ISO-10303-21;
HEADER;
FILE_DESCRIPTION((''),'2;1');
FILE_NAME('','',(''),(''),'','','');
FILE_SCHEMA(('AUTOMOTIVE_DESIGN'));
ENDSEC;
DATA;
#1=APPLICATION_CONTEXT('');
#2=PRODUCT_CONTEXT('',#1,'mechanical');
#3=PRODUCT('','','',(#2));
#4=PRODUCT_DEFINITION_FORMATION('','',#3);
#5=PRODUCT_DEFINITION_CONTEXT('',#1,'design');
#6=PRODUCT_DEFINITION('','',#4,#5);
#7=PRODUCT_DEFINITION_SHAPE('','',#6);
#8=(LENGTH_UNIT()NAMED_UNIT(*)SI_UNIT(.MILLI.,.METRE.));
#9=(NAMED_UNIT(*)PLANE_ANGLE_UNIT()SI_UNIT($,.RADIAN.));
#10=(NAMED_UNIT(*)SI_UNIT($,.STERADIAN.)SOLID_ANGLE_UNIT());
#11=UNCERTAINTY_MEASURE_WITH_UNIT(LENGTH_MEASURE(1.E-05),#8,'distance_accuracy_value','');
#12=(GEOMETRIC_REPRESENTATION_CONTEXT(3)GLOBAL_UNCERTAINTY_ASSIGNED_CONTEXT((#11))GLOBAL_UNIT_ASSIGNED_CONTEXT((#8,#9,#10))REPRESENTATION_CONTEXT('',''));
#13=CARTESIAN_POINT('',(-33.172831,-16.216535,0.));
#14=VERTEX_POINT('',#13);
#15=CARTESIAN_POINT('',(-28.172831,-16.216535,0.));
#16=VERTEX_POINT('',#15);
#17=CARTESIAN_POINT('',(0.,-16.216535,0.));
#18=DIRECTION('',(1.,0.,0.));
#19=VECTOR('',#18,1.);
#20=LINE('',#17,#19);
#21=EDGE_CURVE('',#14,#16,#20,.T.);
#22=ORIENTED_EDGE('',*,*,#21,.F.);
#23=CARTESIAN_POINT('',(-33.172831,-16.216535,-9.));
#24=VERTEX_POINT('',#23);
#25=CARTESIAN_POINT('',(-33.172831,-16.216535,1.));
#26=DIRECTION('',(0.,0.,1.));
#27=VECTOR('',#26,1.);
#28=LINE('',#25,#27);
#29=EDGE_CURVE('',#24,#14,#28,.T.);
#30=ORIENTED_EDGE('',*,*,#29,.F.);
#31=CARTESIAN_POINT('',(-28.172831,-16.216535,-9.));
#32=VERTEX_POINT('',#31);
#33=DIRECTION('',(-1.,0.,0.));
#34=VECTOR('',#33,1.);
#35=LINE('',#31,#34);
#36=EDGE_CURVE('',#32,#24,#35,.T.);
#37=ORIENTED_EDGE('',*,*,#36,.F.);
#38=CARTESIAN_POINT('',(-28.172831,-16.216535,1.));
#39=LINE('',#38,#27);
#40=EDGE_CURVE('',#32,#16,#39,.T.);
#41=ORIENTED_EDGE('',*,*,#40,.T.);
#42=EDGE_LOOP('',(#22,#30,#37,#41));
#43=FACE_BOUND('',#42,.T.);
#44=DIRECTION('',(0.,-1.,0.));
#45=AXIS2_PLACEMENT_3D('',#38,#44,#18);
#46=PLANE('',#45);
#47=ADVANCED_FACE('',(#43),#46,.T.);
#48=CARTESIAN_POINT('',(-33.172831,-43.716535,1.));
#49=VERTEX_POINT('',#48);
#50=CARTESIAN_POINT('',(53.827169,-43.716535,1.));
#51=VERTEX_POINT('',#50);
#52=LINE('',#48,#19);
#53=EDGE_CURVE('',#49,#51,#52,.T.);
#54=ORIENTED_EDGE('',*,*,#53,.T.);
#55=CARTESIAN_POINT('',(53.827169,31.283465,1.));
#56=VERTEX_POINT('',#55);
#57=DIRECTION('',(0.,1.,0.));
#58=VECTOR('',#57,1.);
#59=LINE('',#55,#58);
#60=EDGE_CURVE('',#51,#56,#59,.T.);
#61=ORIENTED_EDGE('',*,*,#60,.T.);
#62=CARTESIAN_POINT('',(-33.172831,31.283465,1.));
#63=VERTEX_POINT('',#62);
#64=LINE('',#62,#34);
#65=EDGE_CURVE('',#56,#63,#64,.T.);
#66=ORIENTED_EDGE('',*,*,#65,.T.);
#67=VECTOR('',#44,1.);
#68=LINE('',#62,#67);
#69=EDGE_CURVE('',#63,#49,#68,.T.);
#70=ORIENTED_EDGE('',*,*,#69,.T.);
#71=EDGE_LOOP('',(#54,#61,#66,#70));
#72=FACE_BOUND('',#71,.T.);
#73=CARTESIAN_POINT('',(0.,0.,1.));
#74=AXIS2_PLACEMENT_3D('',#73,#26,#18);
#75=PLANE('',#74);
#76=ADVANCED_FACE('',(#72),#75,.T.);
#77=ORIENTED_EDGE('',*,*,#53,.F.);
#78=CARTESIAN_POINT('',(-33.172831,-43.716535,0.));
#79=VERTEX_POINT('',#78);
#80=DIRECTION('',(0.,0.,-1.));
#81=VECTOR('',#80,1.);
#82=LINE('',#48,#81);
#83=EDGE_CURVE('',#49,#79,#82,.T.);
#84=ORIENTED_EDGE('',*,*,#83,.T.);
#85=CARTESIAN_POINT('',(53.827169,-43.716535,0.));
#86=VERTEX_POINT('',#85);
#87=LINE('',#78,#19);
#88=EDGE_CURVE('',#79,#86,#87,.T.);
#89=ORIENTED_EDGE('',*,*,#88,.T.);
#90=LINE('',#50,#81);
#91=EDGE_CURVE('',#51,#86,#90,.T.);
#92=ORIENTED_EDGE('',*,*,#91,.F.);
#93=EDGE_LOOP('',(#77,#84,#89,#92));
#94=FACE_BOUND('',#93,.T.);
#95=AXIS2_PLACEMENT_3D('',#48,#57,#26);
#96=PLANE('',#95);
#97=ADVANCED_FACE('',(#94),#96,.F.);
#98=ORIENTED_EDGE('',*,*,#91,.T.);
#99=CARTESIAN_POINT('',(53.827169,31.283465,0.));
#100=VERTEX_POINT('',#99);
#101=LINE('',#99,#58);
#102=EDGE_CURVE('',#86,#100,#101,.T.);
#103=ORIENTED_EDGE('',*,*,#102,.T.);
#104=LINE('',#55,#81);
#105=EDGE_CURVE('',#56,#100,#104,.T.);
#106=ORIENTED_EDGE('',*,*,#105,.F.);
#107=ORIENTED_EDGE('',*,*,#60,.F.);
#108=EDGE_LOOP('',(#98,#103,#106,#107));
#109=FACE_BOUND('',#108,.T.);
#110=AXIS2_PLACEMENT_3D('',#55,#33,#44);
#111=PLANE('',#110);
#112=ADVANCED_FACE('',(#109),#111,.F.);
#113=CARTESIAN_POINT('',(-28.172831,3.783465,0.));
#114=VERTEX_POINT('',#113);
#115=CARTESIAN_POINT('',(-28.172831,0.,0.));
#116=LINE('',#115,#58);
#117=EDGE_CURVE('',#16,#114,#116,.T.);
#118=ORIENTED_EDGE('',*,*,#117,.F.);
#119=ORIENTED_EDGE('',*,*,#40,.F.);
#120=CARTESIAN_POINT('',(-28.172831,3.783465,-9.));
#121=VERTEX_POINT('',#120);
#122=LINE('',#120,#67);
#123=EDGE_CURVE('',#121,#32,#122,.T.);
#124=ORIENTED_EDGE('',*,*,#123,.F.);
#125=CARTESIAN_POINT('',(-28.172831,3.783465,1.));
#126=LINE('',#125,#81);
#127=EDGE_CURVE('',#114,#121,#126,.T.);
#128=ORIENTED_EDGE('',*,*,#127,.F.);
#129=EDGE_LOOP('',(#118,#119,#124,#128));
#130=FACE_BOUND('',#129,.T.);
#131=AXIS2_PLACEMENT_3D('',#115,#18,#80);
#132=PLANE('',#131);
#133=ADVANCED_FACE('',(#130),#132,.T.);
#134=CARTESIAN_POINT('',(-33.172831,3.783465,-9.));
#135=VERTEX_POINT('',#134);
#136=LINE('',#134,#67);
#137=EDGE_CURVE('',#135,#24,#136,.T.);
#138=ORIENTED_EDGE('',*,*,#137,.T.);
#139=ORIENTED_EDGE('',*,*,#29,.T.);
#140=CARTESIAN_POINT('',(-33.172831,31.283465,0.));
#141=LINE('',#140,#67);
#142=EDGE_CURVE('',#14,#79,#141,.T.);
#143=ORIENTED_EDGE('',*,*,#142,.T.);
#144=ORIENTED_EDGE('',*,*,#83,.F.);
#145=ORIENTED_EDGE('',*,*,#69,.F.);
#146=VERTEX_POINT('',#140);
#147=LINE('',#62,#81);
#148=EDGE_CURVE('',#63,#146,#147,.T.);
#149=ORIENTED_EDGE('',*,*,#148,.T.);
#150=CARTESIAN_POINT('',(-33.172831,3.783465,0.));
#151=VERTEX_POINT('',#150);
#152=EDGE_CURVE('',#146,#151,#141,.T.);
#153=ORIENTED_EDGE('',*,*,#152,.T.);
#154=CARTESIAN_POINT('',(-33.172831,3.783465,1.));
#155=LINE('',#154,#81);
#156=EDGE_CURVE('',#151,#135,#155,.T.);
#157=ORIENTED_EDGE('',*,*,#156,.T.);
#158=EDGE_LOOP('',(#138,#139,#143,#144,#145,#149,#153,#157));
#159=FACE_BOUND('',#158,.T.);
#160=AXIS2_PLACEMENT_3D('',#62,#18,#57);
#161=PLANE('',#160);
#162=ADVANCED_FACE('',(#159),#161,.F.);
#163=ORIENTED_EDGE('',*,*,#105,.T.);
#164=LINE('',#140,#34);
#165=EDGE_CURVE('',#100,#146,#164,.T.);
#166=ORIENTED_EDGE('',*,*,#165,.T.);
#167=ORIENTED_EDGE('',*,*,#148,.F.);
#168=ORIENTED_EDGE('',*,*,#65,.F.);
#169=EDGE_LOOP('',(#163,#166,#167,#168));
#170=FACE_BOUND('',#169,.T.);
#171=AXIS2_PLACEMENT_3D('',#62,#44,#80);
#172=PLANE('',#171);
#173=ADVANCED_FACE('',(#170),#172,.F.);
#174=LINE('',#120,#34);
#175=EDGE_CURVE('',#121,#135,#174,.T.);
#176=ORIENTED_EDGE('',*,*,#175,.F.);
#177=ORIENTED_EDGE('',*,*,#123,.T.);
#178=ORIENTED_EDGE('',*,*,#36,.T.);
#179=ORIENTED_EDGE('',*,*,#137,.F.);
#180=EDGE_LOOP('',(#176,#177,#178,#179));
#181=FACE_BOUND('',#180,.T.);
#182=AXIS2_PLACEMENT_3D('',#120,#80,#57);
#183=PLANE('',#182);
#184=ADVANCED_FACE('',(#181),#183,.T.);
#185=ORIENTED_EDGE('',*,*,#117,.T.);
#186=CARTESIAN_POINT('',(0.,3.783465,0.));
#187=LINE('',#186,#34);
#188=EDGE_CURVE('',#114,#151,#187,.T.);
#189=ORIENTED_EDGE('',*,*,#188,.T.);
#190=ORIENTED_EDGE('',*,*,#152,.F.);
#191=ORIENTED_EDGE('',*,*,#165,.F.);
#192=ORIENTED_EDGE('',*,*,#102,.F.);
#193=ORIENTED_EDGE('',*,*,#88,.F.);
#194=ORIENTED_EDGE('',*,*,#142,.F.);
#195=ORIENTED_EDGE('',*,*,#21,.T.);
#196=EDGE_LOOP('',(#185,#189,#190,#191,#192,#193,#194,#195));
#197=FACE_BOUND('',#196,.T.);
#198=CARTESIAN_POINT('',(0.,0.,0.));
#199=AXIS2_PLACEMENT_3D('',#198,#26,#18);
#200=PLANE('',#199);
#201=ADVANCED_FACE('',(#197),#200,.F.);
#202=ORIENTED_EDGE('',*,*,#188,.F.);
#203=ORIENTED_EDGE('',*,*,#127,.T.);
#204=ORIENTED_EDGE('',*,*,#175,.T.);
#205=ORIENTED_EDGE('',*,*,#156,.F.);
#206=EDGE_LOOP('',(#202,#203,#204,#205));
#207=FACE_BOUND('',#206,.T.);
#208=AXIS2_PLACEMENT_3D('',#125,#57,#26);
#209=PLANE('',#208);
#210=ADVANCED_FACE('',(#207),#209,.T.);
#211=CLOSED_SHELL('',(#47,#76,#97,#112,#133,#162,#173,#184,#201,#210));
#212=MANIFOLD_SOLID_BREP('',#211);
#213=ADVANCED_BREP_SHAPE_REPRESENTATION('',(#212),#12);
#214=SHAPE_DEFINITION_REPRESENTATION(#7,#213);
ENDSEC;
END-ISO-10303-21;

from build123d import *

# Parameters (mm, degrees)
ESQUISSE1_W        = 87
ESQUISSE1_H        = 75
BOSS_EXTRU_1_DEPTH = 1
ESQUISSE2_W        = 10
ESQUISSE2_H        = 20
BOSS_EXTRU_2_DEPTH = 5


with BuildPart() as part:
    # Esquisse1 → Boss.-Extru.1 (new body)
    with BuildSketch(Plane.XY):
        with Locations((10.327168808, -6.216535433)):
            Rectangle(ESQUISSE1_W, ESQUISSE1_H)
    extrude(amount=BOSS_EXTRU_1_DEPTH)

    # Esquisse2 → Boss.-Extru.2 (add)
    with BuildSketch(Plane.ZY.offset(33.172831192)):
        with Locations((-4, -6.216535433)):
            Rectangle(ESQUISSE2_W, ESQUISSE2_H)
    extrude(amount=-BOSS_EXTRU_2_DEPTH)


solid = part.part
